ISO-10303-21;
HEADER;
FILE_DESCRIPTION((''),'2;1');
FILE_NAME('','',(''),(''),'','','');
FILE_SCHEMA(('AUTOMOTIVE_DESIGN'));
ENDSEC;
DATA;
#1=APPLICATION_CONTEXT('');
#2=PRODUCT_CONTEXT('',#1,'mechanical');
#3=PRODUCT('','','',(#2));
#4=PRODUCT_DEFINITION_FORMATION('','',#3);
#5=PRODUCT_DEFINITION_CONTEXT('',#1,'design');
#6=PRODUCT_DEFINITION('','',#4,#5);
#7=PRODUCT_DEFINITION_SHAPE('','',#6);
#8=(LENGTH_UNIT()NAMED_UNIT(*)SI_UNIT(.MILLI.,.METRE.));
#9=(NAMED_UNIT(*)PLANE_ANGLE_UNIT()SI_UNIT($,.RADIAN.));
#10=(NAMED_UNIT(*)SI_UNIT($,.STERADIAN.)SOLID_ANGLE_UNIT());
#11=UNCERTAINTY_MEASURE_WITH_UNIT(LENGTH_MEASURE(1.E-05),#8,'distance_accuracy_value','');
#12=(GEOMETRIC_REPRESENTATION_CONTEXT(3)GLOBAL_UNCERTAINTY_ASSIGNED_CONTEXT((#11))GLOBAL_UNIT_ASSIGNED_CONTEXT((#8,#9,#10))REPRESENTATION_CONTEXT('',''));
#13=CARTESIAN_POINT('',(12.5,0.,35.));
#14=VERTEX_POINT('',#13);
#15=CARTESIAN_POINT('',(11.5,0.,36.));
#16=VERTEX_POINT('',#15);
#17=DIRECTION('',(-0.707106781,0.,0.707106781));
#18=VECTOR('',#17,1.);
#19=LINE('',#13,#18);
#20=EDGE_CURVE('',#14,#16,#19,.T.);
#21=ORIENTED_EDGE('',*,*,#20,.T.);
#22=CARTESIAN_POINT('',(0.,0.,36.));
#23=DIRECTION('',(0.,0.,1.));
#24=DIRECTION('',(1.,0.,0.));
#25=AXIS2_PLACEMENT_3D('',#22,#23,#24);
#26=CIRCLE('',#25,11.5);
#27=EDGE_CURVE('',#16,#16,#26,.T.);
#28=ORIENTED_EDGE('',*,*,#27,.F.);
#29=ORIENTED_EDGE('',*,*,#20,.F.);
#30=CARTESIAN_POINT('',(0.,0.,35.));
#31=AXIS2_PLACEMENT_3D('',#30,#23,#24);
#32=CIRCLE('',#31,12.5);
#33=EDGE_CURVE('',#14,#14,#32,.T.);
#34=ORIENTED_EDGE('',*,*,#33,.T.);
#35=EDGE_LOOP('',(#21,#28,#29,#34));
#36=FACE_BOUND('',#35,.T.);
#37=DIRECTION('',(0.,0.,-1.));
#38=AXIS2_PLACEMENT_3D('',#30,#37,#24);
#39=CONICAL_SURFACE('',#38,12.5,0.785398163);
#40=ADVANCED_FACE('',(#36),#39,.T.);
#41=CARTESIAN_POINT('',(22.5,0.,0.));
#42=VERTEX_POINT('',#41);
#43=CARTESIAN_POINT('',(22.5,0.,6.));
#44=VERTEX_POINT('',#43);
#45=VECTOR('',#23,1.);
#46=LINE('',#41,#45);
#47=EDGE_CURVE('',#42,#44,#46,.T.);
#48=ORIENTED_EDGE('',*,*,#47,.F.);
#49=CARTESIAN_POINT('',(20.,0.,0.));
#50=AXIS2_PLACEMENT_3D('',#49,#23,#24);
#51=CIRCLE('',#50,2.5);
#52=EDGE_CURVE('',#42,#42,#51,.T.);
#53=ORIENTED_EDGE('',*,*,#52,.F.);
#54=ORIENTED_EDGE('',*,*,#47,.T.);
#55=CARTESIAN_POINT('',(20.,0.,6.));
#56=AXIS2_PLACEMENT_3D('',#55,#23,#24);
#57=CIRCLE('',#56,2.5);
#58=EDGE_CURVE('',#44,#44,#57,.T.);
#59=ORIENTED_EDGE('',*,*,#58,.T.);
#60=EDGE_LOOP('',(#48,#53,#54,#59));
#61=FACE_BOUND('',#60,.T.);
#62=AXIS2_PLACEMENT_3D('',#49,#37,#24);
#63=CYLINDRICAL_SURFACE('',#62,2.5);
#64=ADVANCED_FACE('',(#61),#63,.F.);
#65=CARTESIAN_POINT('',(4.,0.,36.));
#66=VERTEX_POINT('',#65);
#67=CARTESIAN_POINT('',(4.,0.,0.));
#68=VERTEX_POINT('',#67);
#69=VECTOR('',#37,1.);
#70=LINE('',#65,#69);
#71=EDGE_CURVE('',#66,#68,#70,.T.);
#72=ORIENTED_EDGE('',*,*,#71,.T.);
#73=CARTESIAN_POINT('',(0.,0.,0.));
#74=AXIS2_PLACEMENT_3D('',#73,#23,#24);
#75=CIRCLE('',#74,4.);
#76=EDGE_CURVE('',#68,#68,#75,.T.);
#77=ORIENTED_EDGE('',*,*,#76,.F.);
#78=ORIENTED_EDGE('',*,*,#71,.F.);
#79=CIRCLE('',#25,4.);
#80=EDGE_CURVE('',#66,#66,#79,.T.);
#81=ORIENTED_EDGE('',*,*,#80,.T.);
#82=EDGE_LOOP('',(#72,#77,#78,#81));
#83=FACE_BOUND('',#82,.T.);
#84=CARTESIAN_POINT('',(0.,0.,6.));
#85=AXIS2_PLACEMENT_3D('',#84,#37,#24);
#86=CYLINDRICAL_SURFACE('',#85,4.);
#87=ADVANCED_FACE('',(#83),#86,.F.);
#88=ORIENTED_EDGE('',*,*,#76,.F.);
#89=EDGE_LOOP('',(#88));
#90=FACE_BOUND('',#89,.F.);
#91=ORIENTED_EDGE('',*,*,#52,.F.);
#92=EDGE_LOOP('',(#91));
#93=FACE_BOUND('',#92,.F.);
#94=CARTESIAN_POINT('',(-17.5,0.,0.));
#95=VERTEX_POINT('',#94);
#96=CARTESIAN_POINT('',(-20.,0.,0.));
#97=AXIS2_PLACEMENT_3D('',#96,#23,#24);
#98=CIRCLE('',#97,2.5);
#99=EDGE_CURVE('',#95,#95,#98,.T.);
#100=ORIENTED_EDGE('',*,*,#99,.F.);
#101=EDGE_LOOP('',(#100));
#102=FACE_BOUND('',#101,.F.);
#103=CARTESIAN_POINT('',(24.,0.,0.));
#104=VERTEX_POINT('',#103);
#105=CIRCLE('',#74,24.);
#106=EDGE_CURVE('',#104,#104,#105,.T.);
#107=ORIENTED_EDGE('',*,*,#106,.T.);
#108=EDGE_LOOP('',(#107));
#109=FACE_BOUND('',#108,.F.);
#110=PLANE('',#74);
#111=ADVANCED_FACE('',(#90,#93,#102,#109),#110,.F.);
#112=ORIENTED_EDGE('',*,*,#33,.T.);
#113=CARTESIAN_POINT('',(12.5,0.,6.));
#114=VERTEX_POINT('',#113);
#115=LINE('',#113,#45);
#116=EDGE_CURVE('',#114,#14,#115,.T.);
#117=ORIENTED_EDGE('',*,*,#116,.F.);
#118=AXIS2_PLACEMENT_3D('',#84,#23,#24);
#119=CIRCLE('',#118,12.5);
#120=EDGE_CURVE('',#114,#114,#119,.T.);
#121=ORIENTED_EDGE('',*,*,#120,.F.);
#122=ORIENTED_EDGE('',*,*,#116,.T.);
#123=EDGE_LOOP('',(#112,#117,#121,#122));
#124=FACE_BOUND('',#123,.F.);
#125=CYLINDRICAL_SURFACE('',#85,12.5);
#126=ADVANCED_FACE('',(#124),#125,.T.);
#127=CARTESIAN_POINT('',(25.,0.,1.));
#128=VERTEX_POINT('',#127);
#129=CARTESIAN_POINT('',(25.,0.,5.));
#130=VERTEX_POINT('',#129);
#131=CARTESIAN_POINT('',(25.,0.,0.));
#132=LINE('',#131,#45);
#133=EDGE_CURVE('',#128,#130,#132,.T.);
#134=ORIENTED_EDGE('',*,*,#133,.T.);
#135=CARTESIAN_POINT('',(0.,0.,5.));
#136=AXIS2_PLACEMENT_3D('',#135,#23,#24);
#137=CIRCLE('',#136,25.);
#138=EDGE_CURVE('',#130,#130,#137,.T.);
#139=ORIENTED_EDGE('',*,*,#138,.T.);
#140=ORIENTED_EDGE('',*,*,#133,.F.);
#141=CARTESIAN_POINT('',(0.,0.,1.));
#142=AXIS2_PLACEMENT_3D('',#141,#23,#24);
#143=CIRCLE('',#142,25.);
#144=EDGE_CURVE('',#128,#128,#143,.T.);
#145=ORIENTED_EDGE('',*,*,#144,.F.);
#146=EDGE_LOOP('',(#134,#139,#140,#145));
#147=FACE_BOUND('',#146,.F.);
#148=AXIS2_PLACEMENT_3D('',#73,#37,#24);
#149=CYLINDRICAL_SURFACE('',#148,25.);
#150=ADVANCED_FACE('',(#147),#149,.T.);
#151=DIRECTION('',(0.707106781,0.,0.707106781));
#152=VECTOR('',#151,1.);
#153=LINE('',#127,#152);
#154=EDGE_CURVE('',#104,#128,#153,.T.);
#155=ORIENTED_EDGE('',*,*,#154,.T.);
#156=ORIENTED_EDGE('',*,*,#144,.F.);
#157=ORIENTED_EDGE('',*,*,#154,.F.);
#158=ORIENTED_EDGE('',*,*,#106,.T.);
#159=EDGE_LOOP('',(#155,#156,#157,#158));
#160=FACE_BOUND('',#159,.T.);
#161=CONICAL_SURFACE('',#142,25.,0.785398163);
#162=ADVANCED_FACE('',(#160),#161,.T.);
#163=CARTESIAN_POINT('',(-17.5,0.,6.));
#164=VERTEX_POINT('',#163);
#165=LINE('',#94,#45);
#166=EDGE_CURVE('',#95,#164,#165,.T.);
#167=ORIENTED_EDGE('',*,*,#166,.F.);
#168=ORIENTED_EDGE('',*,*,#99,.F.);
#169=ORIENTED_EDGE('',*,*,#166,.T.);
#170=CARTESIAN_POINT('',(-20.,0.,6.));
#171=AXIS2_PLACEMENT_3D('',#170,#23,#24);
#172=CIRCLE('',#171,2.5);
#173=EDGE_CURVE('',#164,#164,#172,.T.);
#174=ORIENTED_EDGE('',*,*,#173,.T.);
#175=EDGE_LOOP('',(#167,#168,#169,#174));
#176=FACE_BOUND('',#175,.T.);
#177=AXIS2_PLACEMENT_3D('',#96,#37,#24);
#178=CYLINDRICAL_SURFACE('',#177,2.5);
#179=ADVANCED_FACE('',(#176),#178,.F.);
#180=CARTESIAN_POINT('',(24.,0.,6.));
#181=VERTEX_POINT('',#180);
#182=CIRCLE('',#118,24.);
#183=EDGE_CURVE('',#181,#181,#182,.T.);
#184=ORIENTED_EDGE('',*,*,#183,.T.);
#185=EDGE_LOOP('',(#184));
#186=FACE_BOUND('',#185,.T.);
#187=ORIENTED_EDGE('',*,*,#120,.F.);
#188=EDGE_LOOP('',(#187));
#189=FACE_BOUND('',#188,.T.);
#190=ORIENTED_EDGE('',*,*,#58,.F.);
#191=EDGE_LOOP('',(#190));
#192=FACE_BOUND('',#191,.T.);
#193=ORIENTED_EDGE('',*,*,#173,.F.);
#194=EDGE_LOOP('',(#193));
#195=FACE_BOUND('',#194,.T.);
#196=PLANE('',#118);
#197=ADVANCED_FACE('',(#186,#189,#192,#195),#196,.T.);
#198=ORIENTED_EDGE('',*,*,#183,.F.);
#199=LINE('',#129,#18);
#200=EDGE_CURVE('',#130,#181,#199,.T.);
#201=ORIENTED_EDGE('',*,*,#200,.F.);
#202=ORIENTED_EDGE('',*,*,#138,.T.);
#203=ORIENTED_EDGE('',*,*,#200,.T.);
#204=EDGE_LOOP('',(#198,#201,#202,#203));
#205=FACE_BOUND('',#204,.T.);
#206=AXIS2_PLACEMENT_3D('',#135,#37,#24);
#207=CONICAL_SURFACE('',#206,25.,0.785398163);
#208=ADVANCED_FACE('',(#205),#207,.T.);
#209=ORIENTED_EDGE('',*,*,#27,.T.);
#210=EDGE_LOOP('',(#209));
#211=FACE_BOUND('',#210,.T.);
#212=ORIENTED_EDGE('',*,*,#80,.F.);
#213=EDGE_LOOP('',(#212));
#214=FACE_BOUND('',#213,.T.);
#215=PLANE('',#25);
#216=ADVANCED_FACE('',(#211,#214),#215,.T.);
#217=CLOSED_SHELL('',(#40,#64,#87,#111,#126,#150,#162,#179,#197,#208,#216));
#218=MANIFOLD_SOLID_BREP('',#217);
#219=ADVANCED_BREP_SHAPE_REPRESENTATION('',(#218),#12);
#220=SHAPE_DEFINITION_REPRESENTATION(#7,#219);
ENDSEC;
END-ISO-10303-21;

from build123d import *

# Parameters (mm, degrees)
F0_R     = 25
F0_R_2   = 2.5
F0_R_3   = 4
F1_DEPTH = 6
F2_R     = 12.5
F2_R_2   = 4
F3_DEPTH = 30
F4_SIZE  = 1


with BuildPart() as f1:
    # F0 (on Top) → F1 (new body)
    with BuildSketch(Plane.XY):
        Circle(F0_R)
        with Locations((-20, 0)):
            Circle(F0_R_2, mode=Mode.SUBTRACT)
        Circle(F0_R_3, mode=Mode.SUBTRACT)
        with Locations((20, 0)):
            Circle(F0_R_2, mode=Mode.SUBTRACT)
    extrude(amount=F1_DEPTH)

    # F2 (on face) → F3 (join)
    with BuildSketch(Plane.XY.offset(6)):
        Circle(F2_R)
        Circle(F2_R_2, mode=Mode.SUBTRACT)
    extrude(amount=F3_DEPTH)

    # F4
    f4_edges = [f1.edges().sort_by_distance(p)[0] for p in [
        (-12.5, 0, 36),
        (-25, 0, 6),
        (-25, 0, 0),
    ]]
    chamfer(f4_edges, length=F4_SIZE)


solid = f1.part
